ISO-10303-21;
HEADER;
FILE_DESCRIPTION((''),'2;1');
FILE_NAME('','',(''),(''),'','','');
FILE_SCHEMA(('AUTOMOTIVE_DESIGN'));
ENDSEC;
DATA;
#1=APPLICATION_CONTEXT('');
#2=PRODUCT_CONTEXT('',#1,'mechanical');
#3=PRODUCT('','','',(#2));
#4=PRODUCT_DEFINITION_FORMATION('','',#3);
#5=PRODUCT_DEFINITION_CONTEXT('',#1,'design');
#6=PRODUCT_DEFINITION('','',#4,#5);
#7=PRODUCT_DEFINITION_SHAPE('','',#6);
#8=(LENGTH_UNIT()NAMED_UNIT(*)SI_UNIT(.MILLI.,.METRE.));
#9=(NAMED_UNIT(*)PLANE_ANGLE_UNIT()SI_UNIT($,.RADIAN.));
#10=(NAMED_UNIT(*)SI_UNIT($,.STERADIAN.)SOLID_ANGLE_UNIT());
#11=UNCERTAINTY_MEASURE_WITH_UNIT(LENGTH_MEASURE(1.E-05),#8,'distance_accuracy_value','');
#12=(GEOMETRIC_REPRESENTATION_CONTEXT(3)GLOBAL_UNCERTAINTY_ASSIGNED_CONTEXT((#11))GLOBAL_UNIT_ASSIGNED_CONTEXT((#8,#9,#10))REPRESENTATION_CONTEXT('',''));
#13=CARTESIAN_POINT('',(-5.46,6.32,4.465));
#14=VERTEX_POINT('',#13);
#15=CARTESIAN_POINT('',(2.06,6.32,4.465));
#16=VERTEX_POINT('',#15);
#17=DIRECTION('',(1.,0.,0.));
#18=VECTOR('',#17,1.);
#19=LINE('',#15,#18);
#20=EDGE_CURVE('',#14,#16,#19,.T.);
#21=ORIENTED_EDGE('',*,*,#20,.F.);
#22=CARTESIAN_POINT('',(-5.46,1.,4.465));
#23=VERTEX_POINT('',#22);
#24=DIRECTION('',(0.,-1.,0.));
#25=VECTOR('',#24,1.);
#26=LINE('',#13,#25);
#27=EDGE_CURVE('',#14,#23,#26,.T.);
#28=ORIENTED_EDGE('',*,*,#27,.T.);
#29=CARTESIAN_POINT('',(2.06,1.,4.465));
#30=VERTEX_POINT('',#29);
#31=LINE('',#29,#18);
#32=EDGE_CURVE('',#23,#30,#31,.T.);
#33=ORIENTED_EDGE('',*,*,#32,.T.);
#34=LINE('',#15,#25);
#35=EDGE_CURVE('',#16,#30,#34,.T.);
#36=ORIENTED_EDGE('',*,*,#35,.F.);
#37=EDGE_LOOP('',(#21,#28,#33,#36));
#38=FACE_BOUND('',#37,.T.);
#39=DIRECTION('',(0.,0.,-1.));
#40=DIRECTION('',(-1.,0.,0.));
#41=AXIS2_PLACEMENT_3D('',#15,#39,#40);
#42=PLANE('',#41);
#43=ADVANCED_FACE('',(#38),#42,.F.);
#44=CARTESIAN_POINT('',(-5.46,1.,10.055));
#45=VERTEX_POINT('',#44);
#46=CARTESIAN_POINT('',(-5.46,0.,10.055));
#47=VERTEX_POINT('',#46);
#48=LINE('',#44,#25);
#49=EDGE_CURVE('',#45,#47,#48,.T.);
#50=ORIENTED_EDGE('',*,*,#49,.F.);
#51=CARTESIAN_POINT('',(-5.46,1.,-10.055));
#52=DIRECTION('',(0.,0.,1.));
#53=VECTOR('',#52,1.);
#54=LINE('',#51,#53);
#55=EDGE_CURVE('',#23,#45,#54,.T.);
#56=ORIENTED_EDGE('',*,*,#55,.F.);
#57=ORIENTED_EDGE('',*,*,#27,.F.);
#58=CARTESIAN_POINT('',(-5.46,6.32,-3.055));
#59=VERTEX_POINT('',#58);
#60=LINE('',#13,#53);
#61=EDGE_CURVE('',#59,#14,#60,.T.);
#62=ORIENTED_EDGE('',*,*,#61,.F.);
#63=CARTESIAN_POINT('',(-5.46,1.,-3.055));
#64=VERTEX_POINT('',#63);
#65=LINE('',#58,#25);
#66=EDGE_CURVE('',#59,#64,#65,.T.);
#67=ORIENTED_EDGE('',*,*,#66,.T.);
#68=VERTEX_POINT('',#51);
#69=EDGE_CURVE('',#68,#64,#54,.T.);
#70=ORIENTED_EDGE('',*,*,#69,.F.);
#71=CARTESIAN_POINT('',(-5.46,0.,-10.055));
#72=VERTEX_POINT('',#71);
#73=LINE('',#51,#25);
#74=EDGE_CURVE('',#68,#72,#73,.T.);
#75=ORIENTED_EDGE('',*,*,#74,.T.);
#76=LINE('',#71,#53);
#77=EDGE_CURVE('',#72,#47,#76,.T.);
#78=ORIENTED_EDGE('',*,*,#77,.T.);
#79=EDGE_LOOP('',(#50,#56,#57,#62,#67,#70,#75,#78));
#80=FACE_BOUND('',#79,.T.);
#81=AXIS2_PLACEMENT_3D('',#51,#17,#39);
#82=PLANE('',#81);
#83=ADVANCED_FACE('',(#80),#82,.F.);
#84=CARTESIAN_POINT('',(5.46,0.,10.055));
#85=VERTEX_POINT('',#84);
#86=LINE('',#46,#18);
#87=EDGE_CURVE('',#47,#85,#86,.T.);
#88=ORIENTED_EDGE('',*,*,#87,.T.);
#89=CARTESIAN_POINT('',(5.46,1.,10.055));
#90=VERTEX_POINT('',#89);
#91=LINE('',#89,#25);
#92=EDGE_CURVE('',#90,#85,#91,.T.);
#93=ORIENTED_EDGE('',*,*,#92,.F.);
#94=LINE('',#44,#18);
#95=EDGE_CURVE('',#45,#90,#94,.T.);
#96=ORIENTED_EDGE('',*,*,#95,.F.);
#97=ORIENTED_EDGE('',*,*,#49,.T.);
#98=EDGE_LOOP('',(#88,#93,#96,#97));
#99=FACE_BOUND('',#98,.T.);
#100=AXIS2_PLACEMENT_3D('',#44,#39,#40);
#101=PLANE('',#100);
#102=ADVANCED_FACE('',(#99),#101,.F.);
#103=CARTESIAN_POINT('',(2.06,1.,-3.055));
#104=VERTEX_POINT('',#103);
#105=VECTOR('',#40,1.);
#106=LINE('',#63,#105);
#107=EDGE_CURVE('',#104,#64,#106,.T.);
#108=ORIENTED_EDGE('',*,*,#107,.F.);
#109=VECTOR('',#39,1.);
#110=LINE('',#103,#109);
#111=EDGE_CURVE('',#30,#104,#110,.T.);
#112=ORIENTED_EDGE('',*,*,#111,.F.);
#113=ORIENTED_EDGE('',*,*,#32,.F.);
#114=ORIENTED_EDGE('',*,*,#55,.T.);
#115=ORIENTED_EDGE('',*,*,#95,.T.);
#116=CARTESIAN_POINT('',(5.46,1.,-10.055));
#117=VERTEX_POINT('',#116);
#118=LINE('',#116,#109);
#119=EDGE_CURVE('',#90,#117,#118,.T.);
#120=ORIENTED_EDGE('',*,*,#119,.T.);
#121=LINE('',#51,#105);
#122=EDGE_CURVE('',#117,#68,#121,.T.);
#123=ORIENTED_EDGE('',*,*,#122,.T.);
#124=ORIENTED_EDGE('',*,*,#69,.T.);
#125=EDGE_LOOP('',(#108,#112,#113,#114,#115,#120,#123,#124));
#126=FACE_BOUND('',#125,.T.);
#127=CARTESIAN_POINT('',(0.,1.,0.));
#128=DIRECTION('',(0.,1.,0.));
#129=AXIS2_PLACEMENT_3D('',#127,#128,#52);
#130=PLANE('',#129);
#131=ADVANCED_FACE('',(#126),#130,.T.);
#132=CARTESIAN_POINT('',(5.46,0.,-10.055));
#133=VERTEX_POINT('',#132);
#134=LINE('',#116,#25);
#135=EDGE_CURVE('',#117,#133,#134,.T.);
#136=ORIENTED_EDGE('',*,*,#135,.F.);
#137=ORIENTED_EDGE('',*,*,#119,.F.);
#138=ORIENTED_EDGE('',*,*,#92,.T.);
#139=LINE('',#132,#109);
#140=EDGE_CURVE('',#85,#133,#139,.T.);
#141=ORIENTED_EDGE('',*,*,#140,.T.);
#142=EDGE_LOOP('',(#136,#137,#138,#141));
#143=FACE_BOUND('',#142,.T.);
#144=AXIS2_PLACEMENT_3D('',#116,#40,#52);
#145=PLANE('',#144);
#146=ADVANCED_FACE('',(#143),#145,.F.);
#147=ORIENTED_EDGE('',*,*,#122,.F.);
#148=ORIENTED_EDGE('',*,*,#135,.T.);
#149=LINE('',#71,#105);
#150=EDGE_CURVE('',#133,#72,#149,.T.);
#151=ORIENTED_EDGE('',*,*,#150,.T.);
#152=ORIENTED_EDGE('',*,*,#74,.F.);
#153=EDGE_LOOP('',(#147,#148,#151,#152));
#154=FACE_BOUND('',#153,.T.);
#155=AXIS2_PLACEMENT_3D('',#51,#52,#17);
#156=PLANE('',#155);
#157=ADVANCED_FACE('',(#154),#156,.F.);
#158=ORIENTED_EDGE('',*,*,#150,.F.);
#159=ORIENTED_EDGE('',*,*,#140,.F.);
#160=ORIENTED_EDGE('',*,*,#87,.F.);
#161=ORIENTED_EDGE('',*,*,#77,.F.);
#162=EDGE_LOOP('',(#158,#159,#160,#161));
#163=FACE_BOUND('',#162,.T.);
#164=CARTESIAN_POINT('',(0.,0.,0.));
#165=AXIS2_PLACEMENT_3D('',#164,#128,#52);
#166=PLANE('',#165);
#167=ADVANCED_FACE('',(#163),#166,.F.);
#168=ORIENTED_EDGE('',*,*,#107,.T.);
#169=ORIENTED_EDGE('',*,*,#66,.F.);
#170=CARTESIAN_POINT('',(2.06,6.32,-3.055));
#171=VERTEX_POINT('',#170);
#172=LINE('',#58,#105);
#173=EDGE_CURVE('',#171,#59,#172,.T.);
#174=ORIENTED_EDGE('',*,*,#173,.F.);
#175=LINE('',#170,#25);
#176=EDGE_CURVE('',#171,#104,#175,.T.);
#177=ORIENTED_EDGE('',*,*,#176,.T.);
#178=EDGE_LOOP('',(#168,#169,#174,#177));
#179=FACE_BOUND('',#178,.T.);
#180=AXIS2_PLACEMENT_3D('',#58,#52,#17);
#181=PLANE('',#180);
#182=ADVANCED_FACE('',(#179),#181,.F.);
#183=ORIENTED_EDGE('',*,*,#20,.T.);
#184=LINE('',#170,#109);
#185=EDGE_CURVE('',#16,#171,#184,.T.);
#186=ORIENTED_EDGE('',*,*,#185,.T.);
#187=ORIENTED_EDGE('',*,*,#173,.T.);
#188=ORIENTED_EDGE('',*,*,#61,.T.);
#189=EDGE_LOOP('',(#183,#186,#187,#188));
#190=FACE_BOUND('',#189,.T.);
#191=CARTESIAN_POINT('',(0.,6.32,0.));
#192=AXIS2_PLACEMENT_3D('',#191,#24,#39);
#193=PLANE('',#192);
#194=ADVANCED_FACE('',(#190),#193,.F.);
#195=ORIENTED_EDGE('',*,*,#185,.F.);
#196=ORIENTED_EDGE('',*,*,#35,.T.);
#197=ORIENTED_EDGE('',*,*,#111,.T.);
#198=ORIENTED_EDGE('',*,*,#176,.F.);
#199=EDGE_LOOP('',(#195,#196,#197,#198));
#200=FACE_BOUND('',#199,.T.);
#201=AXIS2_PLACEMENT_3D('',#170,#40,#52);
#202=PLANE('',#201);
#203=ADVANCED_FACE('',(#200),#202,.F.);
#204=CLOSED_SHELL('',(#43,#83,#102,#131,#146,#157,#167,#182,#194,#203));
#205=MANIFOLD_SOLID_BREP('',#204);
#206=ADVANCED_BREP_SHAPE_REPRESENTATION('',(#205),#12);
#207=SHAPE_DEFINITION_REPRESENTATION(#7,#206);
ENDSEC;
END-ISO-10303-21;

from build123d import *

# Parameters (mm, degrees)
SKETCH1_W           = 10.92
SKETCH1_H           = 20.11
BOSS_EXTRUDE1_DEPTH = 1
SKETCH2_W           = 7.52
SKETCH2_H           = 7.52
BOSS_EXTRUDE2_DEPTH = 5.32


with BuildPart() as part:
    # Sketch1 → Boss-Extrude1 (new body)
    with BuildSketch(Plane(origin=(0, 0, 0), x_dir=(1, 0, 0), z_dir=(0, 1, 0))):
        Rectangle(SKETCH1_W, SKETCH1_H)
    extrude(amount=BOSS_EXTRUDE1_DEPTH)

    # Sketch2 → Boss-Extrude2 (add)
    with BuildSketch(Plane(origin=(0, 1, 0), x_dir=(1, 0, 0), z_dir=(0, 1, 0))):
        with Locations((-1.7, -0.705)):
            Rectangle(SKETCH2_W, SKETCH2_H)
    extrude(amount=BOSS_EXTRUDE2_DEPTH)


solid = part.part
